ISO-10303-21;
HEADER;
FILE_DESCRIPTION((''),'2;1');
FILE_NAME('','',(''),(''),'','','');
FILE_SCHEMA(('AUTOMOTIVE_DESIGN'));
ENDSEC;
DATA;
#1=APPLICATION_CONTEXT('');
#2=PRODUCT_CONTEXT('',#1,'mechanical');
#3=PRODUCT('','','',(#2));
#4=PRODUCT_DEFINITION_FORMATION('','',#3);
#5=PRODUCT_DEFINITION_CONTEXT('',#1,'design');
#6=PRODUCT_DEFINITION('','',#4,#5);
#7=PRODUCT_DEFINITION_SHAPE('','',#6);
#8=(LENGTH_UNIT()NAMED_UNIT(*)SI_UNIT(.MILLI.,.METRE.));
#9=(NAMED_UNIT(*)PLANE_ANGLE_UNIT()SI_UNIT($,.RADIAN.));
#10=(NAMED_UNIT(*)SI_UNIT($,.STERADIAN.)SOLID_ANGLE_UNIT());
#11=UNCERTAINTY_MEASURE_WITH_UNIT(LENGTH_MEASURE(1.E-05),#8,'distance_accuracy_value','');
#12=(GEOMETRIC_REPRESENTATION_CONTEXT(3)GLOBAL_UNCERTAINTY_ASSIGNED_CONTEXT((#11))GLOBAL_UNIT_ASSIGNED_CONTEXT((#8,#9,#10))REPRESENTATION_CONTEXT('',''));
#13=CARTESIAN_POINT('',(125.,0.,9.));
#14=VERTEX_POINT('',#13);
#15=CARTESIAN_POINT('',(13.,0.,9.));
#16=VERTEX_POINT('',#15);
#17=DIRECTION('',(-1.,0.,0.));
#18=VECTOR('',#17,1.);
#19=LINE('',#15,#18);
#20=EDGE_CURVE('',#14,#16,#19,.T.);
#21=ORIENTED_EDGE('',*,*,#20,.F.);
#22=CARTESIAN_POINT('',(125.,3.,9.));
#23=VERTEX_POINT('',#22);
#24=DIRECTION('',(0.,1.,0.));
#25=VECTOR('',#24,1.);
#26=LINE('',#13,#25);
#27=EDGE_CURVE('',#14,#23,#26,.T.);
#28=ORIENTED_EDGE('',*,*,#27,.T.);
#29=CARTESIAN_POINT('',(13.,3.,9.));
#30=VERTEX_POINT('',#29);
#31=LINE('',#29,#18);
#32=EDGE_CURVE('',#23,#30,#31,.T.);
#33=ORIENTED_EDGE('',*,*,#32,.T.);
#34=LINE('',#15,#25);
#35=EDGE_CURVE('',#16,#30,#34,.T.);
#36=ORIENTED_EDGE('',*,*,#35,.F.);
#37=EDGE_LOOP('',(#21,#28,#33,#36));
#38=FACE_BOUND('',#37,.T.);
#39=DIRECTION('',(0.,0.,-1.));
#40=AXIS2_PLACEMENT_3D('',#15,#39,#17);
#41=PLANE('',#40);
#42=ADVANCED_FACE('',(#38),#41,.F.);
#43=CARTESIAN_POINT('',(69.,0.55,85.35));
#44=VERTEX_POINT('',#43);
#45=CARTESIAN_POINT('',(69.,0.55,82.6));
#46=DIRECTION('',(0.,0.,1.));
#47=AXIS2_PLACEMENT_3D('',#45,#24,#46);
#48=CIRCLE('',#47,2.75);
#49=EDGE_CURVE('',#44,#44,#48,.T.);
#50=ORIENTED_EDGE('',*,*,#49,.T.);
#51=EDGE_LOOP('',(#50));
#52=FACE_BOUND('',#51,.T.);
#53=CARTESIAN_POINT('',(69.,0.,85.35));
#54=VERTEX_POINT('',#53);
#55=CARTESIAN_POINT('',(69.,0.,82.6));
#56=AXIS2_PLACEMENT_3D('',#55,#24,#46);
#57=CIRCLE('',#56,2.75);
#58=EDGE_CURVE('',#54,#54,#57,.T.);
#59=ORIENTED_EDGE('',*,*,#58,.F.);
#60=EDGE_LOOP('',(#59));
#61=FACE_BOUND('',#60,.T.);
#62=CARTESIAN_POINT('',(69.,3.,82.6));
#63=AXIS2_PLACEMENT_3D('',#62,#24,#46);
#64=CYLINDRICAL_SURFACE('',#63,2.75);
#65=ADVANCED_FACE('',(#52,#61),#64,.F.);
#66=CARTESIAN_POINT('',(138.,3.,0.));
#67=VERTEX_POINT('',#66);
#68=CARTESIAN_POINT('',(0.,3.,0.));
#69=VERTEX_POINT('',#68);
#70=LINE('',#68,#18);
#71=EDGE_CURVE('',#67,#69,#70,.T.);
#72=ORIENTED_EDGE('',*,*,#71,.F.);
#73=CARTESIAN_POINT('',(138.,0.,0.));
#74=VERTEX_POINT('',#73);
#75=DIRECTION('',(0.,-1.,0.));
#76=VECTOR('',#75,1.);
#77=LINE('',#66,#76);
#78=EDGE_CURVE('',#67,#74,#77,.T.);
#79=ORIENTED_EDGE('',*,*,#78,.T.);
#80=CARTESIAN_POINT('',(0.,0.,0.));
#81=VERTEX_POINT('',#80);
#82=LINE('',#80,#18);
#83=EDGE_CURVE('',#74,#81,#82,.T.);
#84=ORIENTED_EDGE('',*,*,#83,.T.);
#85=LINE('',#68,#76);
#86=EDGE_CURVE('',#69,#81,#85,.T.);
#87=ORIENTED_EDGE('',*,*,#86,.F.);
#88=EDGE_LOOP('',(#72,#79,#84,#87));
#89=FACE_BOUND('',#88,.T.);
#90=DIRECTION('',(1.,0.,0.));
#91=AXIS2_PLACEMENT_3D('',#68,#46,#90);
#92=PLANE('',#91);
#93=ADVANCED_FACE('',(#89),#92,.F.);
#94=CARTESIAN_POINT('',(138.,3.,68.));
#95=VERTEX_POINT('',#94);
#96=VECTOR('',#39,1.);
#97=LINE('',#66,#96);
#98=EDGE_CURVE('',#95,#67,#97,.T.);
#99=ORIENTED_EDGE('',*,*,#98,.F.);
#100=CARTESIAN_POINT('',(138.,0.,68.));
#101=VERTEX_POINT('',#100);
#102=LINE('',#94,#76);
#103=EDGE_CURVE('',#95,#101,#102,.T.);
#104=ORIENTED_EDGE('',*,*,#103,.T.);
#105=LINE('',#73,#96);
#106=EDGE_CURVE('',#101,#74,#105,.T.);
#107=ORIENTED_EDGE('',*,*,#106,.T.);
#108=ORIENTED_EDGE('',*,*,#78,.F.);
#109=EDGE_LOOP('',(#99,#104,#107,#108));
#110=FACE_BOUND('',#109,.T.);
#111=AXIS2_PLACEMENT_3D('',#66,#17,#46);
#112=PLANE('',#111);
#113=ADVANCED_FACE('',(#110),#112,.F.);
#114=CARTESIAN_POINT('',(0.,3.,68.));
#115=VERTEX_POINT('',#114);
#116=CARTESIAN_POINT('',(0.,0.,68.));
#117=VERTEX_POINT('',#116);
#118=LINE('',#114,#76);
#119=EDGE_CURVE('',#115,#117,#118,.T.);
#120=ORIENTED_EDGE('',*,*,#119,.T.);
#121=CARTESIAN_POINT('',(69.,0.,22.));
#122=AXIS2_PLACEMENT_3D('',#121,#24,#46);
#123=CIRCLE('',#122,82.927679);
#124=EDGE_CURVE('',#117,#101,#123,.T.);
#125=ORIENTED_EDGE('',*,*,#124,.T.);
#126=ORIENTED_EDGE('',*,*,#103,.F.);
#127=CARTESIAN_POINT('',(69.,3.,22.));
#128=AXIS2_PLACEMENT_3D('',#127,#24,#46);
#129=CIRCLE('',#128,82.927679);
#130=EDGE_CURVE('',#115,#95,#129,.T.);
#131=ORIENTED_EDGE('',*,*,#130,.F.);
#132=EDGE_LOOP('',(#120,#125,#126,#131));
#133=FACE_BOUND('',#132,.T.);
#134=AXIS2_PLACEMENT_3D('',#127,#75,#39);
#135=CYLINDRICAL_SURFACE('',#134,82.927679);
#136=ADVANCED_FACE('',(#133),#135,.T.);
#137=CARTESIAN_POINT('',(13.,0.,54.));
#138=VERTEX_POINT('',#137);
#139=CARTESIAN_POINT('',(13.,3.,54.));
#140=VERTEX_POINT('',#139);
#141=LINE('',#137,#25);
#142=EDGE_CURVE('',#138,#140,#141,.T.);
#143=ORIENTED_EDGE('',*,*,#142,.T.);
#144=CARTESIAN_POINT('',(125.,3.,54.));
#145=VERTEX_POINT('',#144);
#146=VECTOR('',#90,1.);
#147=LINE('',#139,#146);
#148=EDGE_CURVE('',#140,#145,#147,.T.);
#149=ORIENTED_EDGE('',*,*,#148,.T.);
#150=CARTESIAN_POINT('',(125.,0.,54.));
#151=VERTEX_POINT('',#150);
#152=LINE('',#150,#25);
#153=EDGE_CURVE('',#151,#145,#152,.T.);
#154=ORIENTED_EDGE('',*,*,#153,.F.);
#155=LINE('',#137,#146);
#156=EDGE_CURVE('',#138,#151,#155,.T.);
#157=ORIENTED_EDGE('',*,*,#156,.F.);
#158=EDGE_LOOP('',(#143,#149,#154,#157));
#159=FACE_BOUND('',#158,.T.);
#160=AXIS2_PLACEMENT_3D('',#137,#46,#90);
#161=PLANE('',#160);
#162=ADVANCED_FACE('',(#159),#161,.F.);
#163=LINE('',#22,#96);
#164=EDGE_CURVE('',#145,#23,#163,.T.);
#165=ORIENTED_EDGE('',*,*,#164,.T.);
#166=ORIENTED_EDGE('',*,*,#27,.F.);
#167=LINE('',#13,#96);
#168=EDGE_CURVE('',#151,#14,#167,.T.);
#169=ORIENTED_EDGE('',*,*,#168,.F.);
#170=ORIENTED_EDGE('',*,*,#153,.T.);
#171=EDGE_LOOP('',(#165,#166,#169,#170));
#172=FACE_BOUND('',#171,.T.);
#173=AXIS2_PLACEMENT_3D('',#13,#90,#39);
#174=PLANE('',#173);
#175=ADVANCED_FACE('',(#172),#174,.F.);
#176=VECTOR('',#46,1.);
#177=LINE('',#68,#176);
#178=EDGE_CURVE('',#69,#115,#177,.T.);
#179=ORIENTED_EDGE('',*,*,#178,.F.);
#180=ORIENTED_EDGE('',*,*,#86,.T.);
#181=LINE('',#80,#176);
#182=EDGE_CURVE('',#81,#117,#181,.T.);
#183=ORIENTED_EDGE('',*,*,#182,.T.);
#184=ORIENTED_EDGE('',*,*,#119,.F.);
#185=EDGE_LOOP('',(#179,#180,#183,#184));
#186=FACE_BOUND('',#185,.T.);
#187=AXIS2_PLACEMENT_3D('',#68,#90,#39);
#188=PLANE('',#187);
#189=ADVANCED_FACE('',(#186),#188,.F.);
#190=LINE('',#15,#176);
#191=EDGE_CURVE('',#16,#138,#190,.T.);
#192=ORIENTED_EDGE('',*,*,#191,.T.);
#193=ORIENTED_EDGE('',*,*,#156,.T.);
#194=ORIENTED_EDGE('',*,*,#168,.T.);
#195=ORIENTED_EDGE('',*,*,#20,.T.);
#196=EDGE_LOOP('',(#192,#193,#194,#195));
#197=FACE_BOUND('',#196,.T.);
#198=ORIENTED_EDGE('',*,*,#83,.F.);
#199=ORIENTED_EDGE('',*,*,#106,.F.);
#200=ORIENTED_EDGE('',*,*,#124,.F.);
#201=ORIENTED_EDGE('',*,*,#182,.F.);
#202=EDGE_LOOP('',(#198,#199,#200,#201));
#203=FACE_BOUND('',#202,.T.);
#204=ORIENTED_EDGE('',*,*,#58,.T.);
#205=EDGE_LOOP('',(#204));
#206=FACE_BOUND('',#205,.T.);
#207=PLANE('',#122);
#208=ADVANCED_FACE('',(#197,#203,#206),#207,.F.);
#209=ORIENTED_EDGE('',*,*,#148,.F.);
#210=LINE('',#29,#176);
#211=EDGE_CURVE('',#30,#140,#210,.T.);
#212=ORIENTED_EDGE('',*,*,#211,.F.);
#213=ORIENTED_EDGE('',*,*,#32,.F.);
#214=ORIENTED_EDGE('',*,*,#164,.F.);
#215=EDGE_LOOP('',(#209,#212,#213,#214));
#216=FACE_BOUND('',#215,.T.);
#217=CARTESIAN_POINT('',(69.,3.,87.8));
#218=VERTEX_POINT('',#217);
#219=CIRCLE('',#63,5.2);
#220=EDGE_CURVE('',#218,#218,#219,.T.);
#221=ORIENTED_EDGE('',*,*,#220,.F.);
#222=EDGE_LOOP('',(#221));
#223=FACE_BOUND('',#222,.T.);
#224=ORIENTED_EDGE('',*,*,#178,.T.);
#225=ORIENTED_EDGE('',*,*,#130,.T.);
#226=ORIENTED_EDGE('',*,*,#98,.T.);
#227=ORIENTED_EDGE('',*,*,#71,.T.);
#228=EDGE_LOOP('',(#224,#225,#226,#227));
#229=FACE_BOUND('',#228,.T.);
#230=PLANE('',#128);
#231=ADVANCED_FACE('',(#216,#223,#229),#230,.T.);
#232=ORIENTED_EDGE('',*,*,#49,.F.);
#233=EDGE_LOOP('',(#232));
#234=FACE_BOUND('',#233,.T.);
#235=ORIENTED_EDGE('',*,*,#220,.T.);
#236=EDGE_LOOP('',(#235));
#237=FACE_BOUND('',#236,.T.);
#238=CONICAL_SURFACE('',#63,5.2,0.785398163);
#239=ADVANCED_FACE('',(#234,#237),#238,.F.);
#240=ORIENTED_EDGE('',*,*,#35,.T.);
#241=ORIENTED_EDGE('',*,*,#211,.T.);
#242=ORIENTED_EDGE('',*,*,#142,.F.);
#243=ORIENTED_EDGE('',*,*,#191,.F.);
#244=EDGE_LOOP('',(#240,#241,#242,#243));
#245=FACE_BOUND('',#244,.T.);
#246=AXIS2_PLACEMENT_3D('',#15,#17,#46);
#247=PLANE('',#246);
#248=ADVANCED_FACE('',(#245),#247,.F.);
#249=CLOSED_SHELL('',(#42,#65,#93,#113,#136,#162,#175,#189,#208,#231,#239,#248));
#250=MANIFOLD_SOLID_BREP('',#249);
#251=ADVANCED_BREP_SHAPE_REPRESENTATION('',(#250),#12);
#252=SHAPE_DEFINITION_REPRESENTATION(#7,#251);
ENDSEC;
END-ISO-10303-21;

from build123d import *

# Parameters (mm, degrees)
EXTRUDE_1_DEPTH     = 3
SKETCH_2_W          = 112
SKETCH_2_H          = 45
CUT_EXTRUDE_1_DEPTH = 174.386325559


with BuildPart() as part:
    # Эскиз1 → Бобышка-Вытянуть1 (new body)
    with BuildSketch(Plane(origin=(0, 0, 0), x_dir=(1, 0, 0), z_dir=(0, 1, 0))):
        with BuildLine():
            Line((0, 0), (138, 0))
            Line((138, 0), (138, -68))
            ThreePointArc((138, -68), (69, -104.927679336), (0, -68))
            Line((0, -68), (0, 0))
        make_face()
    extrude(amount=EXTRUDE_1_DEPTH)

    # Эскиз2 → Вырез-Вытянуть1 (cut, through all)
    with BuildSketch(Plane(origin=(0, 3, 0), x_dir=(1, 0, 0), z_dir=(0, 1, 0))):
        with Locations((69, -31.5)):
            Rectangle(SKETCH_2_W, SKETCH_2_H)
    extrude(amount=-CUT_EXTRUDE_1_DEPTH, mode=Mode.SUBTRACT)

    # Эскиз3 → Зенковка для  винта с плоской головкой M51 (revolve, cut)
    with BuildSketch(Plane(origin=(69, 3, 82.6), x_dir=(0, 0, 1), z_dir=(1, 0, 0))):
        Polygon((0, 0), (0, 3), (2.75, 3), (2.75, 2.45), (5.2, 0), align=None)
    revolve(axis=Axis((69, 9.35, 82.6), (0, -1, 0)), mode=Mode.SUBTRACT)


solid = part.part
